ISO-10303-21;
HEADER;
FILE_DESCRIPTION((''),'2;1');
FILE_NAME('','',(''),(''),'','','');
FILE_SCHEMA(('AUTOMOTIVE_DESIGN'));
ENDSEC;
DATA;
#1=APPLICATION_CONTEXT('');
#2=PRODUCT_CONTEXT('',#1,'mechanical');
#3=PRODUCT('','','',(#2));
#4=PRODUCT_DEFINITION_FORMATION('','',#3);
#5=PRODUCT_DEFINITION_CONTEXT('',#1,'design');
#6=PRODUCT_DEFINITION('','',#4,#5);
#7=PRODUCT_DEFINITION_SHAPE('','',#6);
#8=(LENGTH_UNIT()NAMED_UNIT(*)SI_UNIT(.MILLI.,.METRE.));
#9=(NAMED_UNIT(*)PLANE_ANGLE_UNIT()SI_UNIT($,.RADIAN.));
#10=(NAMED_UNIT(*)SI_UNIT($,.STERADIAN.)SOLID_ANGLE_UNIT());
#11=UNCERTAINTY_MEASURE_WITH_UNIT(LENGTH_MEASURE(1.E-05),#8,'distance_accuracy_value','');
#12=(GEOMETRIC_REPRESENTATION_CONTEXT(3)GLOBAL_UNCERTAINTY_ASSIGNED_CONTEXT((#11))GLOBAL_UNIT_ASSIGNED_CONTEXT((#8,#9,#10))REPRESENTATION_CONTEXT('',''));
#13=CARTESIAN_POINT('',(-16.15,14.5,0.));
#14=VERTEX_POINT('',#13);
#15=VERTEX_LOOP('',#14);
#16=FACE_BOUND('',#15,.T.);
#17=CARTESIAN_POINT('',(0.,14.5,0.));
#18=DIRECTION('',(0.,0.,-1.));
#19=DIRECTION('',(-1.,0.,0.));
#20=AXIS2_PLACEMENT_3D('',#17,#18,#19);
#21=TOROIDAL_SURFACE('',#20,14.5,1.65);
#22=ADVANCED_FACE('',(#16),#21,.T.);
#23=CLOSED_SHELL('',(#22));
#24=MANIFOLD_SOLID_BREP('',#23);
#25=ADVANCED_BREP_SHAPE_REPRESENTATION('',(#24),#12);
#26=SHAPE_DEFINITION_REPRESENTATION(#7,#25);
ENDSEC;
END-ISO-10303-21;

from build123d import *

# Parameters (mm, degrees)
ESQUISSE1_R = 1.65


with BuildPart() as part:
    # Balayage1: sweep along a path in Esquisse2
    with BuildLine(Plane.XY) as balayage1_path:
        CenterArc((0, 14.5), 14.5, 0, 360)
    # Esquisse1 → Balayage1 (sweep)
    with BuildSketch(Plane(origin=(0, 0, 0), x_dir=(0, 0, -1), z_dir=(1, 0, 0))):
        Circle(ESQUISSE1_R)
    sweep(path=balayage1_path.line)


solid = part.part
